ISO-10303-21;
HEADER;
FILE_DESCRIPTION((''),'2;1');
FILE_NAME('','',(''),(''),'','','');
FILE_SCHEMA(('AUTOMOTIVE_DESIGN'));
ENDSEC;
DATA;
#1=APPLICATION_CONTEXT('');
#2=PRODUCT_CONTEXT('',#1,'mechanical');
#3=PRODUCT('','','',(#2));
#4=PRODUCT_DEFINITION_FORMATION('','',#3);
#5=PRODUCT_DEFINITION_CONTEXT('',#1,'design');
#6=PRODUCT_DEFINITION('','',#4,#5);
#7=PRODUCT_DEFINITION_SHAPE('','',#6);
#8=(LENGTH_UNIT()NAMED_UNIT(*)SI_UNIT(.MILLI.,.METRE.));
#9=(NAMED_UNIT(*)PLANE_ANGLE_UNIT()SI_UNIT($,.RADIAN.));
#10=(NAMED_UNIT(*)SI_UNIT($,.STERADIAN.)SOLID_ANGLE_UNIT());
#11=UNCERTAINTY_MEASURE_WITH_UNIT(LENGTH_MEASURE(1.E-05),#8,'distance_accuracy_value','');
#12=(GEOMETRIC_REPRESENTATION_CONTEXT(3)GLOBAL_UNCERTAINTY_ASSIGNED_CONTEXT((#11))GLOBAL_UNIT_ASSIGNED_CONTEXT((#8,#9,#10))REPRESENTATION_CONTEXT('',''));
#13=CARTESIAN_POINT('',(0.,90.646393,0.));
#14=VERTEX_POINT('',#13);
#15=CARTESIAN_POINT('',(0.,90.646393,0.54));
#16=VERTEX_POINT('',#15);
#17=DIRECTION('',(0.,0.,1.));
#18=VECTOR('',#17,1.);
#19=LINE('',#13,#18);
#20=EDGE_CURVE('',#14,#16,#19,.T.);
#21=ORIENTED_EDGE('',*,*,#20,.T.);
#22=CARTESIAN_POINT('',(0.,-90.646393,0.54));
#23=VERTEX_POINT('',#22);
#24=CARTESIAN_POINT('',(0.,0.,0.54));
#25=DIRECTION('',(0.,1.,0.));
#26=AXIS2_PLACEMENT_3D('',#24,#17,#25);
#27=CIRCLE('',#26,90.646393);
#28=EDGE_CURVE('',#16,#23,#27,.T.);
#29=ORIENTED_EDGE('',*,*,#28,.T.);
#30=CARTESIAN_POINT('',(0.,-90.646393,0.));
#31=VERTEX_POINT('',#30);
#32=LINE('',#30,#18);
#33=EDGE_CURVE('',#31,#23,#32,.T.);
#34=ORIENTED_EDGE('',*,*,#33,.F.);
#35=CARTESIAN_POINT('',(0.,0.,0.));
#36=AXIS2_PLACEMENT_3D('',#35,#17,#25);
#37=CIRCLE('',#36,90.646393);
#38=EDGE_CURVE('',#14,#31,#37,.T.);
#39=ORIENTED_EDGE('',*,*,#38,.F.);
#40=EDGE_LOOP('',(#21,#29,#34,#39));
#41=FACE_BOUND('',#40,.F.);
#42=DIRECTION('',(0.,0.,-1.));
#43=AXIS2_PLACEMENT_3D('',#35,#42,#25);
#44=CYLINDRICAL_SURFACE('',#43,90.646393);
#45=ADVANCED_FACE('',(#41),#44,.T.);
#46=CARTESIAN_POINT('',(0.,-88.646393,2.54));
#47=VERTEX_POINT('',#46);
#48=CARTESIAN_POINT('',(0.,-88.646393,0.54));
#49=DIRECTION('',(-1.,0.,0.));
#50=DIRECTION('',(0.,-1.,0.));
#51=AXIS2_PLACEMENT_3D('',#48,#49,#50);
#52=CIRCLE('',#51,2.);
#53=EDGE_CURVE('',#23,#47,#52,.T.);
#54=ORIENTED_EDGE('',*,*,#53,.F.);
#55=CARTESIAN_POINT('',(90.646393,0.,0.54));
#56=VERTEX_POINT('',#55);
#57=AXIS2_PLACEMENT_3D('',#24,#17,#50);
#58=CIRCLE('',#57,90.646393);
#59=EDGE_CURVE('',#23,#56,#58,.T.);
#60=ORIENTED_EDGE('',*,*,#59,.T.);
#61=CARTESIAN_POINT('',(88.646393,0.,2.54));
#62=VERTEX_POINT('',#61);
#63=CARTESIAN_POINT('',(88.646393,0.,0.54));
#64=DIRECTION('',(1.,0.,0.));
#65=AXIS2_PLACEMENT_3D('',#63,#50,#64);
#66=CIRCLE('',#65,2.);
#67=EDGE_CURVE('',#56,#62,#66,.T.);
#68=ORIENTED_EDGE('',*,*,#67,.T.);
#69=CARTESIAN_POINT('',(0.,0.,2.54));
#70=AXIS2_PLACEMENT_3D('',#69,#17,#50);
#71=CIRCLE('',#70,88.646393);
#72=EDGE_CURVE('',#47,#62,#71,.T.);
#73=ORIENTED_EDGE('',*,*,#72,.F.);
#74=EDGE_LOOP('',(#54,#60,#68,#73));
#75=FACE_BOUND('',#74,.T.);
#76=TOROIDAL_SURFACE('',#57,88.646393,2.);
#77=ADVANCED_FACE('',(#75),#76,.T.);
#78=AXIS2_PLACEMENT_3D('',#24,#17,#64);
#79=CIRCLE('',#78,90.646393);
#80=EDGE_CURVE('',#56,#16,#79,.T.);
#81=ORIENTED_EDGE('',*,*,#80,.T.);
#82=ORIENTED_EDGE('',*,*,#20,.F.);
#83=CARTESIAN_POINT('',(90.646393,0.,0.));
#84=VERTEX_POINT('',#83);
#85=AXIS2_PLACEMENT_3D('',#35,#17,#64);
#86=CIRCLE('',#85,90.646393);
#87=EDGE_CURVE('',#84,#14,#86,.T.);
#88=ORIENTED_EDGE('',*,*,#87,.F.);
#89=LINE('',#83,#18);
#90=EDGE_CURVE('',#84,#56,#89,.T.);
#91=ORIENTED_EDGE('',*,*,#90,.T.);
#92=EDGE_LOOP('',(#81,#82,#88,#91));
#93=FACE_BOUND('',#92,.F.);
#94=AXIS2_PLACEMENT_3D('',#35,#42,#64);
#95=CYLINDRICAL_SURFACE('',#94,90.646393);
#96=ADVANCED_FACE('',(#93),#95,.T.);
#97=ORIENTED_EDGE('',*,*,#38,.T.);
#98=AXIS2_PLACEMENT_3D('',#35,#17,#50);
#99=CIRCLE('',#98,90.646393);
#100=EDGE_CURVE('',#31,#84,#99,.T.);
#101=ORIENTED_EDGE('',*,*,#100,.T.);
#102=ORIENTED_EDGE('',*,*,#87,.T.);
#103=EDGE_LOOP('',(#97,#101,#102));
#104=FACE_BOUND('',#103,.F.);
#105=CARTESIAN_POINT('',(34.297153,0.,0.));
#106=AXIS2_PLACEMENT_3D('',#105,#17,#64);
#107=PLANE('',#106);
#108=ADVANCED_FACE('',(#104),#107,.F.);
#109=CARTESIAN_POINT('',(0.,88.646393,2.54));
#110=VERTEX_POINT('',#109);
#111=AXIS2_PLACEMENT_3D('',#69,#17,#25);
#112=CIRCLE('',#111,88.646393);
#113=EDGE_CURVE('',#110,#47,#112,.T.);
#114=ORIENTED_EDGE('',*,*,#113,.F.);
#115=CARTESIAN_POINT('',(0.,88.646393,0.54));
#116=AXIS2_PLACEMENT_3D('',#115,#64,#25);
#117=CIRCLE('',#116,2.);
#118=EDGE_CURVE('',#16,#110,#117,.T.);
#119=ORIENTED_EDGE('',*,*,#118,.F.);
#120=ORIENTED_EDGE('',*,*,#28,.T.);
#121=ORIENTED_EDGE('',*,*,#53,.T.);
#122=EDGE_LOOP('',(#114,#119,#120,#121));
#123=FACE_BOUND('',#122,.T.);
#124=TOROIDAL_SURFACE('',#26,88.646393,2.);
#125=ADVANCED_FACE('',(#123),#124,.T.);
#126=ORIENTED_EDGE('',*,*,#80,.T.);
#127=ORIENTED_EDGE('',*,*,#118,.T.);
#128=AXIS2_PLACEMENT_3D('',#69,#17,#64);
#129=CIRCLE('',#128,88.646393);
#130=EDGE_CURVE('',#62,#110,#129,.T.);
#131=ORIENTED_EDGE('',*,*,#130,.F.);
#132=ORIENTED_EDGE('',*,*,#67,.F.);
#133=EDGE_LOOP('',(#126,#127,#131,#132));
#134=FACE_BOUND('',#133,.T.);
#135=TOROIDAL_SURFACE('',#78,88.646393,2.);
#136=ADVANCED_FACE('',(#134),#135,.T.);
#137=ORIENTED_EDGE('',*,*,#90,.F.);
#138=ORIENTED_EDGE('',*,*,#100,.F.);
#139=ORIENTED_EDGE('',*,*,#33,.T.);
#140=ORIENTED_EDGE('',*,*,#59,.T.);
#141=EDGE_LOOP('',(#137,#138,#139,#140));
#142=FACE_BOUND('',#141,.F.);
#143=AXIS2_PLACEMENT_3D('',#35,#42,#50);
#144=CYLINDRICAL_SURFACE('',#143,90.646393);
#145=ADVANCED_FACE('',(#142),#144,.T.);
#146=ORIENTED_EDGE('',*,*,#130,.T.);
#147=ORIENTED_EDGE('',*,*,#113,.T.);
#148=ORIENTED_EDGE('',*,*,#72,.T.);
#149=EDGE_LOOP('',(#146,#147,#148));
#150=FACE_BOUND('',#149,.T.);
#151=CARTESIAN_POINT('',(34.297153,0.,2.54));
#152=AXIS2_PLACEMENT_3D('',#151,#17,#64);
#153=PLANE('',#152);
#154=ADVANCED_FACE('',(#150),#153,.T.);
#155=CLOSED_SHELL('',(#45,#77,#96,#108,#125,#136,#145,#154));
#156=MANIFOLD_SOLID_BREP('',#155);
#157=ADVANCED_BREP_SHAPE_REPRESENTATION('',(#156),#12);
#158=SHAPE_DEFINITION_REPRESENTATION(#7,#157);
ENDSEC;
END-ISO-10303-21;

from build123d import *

# Parameters (mm, degrees)
F1_DEPTH = 2.54
F2_R     = 2


with BuildPart() as f1:
    # F0 (on Top) → F1 (new body)
    with BuildSketch(Plane.XY):
        with BuildLine():
            ThreePointArc((0, -90.6463929432), (64.0966791402, -64.0966791402), (90.6463929432, 0))
            ThreePointArc((90.6463929432, 0), (64.0966791402, 64.0966791402), (0, 90.6463929432))
            Line((0, 90.6463929432), (0, 0))
            Line((0, 0), (0, -90.6463929432))
        make_face()
        with BuildLine():
            Line((0, 0), (0, 90.6463929432))
            ThreePointArc((0, 90.6463929432), (-90.6463929432, 0), (0, -90.6463929432))
            Line((0, -90.6463929432), (0, 0))
        make_face()
    extrude(amount=F1_DEPTH)

    # F2
    f2_edges = [f1.edges().sort_by_distance(p)[0] for p in [
        (-90.646393, 0, 2.54),
    ]]
    fillet(f2_edges, radius=F2_R)


solid = f1.part
